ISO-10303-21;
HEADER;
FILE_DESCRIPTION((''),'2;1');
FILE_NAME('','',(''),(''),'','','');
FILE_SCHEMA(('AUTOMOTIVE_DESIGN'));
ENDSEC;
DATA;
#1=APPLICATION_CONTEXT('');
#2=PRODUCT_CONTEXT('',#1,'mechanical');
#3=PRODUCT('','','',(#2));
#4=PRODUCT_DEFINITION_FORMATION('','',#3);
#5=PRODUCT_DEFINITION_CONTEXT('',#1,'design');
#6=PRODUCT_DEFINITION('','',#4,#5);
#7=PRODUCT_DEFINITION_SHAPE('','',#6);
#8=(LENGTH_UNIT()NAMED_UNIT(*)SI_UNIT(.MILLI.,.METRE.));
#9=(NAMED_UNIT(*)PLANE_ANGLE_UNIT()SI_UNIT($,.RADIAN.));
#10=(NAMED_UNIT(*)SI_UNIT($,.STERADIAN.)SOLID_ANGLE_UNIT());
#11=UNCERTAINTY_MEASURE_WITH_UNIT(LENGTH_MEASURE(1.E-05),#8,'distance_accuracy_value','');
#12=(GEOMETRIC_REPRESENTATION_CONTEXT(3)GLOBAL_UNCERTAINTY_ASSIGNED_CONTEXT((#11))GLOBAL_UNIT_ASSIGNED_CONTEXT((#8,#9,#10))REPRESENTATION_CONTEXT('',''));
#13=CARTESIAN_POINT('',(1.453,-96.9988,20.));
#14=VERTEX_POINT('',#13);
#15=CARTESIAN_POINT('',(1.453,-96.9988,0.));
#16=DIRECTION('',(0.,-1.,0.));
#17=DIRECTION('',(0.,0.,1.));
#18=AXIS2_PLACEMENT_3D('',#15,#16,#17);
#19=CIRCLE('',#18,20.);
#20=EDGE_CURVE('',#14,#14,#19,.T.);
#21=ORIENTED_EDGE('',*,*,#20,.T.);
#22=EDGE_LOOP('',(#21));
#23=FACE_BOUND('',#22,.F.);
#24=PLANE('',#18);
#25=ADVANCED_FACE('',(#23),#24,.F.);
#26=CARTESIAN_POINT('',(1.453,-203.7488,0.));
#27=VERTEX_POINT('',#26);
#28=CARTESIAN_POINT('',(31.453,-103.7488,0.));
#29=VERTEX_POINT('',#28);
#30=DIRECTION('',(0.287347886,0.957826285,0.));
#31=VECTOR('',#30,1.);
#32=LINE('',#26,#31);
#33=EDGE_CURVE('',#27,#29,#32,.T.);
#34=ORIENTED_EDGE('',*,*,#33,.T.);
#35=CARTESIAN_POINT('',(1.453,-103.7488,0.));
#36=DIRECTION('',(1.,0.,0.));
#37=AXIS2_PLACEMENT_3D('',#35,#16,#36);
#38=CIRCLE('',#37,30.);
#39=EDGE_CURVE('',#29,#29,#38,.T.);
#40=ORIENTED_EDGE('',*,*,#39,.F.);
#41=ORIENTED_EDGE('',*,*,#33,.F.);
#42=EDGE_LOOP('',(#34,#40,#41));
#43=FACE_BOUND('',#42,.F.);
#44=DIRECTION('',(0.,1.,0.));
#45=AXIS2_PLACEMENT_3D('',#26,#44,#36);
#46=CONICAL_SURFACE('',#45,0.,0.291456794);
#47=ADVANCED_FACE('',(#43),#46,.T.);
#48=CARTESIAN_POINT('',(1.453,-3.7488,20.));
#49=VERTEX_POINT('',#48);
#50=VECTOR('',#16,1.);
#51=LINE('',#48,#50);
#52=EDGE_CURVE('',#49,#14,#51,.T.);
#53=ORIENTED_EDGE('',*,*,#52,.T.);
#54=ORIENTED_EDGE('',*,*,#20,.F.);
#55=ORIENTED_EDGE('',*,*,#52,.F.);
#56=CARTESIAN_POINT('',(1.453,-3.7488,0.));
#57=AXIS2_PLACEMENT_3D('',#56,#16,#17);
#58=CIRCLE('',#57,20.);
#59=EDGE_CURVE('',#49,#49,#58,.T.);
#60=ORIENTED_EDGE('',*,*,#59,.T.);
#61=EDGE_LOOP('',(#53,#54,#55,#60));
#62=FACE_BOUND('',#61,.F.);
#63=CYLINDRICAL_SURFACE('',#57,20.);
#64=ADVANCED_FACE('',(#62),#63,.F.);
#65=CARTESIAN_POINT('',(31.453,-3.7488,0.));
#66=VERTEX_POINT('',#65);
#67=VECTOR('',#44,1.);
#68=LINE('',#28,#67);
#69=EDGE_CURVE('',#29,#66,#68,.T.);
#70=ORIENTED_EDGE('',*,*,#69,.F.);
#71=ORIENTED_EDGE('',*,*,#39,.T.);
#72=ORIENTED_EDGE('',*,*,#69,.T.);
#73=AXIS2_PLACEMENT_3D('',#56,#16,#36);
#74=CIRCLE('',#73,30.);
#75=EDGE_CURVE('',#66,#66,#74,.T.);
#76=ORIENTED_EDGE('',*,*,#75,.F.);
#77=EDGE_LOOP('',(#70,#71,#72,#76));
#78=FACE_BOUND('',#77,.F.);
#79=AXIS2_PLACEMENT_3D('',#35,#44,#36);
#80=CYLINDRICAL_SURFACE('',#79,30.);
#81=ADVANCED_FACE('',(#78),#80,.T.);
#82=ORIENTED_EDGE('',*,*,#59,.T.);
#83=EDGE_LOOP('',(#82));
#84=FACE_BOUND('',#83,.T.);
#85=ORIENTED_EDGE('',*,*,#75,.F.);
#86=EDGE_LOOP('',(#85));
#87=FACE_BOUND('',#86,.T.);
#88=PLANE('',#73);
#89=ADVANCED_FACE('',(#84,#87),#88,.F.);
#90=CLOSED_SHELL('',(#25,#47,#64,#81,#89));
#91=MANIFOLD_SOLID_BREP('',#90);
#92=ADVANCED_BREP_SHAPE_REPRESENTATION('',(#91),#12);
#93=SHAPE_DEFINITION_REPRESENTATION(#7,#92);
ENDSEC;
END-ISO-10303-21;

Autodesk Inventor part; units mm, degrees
ref_plane "YZ Plane" through (0, 0, 0) normal (1, 0, 0) x (0, 1, 0)
ref_plane "XZ Plane" through (0, 0, 0) normal (0, 1, 0) x (-1, 0, 0)
ref_plane "XY Plane" through (0, 0, 0) normal (0, 0, 1) x (1, 0, 0)
sketch "Sketch2" plane through (0, 0, 0) normal (0, 0, 1) x (1, 0, 0)
  line L0 (1.453, -3.7488) -> (31.453, -3.7488)
  line L1 (1.453, -3.7488) -> (1.453, -203.7488)
  line L2 (1.453, -203.7488) -> (31.453, -103.7488)
  line L3 (31.453, -103.7488) -> (31.453, -3.7488)
  point P0 (0, 0)
  dimension "d10" = 30
  dimension "d11" = 200
  dimension "d24" = 100
revolve "Revolution2" add sketch "Sketch2" angle 360 about axis through (1.453, -3.7488, 0) along (0, -1, 0)
sketch "Sketch3" plane through (1.453, -3.7488, 0) normal (0, 1, 0) x (1, 0, 0)
  circle A0 centre (0, 0) radius 30 projected
  point P0 (-1.453, 0)
hole "Hole1" at (1.453, -3.7488, 0) direction (0, -1, 0) diameter 40 depth 93.25
thread "Thread3" size "M40x3" class "6H" standard "ANSI Metric M Profile" full length
properties part number "ujung tongkat" material "Aluminum 6061-AHC"
